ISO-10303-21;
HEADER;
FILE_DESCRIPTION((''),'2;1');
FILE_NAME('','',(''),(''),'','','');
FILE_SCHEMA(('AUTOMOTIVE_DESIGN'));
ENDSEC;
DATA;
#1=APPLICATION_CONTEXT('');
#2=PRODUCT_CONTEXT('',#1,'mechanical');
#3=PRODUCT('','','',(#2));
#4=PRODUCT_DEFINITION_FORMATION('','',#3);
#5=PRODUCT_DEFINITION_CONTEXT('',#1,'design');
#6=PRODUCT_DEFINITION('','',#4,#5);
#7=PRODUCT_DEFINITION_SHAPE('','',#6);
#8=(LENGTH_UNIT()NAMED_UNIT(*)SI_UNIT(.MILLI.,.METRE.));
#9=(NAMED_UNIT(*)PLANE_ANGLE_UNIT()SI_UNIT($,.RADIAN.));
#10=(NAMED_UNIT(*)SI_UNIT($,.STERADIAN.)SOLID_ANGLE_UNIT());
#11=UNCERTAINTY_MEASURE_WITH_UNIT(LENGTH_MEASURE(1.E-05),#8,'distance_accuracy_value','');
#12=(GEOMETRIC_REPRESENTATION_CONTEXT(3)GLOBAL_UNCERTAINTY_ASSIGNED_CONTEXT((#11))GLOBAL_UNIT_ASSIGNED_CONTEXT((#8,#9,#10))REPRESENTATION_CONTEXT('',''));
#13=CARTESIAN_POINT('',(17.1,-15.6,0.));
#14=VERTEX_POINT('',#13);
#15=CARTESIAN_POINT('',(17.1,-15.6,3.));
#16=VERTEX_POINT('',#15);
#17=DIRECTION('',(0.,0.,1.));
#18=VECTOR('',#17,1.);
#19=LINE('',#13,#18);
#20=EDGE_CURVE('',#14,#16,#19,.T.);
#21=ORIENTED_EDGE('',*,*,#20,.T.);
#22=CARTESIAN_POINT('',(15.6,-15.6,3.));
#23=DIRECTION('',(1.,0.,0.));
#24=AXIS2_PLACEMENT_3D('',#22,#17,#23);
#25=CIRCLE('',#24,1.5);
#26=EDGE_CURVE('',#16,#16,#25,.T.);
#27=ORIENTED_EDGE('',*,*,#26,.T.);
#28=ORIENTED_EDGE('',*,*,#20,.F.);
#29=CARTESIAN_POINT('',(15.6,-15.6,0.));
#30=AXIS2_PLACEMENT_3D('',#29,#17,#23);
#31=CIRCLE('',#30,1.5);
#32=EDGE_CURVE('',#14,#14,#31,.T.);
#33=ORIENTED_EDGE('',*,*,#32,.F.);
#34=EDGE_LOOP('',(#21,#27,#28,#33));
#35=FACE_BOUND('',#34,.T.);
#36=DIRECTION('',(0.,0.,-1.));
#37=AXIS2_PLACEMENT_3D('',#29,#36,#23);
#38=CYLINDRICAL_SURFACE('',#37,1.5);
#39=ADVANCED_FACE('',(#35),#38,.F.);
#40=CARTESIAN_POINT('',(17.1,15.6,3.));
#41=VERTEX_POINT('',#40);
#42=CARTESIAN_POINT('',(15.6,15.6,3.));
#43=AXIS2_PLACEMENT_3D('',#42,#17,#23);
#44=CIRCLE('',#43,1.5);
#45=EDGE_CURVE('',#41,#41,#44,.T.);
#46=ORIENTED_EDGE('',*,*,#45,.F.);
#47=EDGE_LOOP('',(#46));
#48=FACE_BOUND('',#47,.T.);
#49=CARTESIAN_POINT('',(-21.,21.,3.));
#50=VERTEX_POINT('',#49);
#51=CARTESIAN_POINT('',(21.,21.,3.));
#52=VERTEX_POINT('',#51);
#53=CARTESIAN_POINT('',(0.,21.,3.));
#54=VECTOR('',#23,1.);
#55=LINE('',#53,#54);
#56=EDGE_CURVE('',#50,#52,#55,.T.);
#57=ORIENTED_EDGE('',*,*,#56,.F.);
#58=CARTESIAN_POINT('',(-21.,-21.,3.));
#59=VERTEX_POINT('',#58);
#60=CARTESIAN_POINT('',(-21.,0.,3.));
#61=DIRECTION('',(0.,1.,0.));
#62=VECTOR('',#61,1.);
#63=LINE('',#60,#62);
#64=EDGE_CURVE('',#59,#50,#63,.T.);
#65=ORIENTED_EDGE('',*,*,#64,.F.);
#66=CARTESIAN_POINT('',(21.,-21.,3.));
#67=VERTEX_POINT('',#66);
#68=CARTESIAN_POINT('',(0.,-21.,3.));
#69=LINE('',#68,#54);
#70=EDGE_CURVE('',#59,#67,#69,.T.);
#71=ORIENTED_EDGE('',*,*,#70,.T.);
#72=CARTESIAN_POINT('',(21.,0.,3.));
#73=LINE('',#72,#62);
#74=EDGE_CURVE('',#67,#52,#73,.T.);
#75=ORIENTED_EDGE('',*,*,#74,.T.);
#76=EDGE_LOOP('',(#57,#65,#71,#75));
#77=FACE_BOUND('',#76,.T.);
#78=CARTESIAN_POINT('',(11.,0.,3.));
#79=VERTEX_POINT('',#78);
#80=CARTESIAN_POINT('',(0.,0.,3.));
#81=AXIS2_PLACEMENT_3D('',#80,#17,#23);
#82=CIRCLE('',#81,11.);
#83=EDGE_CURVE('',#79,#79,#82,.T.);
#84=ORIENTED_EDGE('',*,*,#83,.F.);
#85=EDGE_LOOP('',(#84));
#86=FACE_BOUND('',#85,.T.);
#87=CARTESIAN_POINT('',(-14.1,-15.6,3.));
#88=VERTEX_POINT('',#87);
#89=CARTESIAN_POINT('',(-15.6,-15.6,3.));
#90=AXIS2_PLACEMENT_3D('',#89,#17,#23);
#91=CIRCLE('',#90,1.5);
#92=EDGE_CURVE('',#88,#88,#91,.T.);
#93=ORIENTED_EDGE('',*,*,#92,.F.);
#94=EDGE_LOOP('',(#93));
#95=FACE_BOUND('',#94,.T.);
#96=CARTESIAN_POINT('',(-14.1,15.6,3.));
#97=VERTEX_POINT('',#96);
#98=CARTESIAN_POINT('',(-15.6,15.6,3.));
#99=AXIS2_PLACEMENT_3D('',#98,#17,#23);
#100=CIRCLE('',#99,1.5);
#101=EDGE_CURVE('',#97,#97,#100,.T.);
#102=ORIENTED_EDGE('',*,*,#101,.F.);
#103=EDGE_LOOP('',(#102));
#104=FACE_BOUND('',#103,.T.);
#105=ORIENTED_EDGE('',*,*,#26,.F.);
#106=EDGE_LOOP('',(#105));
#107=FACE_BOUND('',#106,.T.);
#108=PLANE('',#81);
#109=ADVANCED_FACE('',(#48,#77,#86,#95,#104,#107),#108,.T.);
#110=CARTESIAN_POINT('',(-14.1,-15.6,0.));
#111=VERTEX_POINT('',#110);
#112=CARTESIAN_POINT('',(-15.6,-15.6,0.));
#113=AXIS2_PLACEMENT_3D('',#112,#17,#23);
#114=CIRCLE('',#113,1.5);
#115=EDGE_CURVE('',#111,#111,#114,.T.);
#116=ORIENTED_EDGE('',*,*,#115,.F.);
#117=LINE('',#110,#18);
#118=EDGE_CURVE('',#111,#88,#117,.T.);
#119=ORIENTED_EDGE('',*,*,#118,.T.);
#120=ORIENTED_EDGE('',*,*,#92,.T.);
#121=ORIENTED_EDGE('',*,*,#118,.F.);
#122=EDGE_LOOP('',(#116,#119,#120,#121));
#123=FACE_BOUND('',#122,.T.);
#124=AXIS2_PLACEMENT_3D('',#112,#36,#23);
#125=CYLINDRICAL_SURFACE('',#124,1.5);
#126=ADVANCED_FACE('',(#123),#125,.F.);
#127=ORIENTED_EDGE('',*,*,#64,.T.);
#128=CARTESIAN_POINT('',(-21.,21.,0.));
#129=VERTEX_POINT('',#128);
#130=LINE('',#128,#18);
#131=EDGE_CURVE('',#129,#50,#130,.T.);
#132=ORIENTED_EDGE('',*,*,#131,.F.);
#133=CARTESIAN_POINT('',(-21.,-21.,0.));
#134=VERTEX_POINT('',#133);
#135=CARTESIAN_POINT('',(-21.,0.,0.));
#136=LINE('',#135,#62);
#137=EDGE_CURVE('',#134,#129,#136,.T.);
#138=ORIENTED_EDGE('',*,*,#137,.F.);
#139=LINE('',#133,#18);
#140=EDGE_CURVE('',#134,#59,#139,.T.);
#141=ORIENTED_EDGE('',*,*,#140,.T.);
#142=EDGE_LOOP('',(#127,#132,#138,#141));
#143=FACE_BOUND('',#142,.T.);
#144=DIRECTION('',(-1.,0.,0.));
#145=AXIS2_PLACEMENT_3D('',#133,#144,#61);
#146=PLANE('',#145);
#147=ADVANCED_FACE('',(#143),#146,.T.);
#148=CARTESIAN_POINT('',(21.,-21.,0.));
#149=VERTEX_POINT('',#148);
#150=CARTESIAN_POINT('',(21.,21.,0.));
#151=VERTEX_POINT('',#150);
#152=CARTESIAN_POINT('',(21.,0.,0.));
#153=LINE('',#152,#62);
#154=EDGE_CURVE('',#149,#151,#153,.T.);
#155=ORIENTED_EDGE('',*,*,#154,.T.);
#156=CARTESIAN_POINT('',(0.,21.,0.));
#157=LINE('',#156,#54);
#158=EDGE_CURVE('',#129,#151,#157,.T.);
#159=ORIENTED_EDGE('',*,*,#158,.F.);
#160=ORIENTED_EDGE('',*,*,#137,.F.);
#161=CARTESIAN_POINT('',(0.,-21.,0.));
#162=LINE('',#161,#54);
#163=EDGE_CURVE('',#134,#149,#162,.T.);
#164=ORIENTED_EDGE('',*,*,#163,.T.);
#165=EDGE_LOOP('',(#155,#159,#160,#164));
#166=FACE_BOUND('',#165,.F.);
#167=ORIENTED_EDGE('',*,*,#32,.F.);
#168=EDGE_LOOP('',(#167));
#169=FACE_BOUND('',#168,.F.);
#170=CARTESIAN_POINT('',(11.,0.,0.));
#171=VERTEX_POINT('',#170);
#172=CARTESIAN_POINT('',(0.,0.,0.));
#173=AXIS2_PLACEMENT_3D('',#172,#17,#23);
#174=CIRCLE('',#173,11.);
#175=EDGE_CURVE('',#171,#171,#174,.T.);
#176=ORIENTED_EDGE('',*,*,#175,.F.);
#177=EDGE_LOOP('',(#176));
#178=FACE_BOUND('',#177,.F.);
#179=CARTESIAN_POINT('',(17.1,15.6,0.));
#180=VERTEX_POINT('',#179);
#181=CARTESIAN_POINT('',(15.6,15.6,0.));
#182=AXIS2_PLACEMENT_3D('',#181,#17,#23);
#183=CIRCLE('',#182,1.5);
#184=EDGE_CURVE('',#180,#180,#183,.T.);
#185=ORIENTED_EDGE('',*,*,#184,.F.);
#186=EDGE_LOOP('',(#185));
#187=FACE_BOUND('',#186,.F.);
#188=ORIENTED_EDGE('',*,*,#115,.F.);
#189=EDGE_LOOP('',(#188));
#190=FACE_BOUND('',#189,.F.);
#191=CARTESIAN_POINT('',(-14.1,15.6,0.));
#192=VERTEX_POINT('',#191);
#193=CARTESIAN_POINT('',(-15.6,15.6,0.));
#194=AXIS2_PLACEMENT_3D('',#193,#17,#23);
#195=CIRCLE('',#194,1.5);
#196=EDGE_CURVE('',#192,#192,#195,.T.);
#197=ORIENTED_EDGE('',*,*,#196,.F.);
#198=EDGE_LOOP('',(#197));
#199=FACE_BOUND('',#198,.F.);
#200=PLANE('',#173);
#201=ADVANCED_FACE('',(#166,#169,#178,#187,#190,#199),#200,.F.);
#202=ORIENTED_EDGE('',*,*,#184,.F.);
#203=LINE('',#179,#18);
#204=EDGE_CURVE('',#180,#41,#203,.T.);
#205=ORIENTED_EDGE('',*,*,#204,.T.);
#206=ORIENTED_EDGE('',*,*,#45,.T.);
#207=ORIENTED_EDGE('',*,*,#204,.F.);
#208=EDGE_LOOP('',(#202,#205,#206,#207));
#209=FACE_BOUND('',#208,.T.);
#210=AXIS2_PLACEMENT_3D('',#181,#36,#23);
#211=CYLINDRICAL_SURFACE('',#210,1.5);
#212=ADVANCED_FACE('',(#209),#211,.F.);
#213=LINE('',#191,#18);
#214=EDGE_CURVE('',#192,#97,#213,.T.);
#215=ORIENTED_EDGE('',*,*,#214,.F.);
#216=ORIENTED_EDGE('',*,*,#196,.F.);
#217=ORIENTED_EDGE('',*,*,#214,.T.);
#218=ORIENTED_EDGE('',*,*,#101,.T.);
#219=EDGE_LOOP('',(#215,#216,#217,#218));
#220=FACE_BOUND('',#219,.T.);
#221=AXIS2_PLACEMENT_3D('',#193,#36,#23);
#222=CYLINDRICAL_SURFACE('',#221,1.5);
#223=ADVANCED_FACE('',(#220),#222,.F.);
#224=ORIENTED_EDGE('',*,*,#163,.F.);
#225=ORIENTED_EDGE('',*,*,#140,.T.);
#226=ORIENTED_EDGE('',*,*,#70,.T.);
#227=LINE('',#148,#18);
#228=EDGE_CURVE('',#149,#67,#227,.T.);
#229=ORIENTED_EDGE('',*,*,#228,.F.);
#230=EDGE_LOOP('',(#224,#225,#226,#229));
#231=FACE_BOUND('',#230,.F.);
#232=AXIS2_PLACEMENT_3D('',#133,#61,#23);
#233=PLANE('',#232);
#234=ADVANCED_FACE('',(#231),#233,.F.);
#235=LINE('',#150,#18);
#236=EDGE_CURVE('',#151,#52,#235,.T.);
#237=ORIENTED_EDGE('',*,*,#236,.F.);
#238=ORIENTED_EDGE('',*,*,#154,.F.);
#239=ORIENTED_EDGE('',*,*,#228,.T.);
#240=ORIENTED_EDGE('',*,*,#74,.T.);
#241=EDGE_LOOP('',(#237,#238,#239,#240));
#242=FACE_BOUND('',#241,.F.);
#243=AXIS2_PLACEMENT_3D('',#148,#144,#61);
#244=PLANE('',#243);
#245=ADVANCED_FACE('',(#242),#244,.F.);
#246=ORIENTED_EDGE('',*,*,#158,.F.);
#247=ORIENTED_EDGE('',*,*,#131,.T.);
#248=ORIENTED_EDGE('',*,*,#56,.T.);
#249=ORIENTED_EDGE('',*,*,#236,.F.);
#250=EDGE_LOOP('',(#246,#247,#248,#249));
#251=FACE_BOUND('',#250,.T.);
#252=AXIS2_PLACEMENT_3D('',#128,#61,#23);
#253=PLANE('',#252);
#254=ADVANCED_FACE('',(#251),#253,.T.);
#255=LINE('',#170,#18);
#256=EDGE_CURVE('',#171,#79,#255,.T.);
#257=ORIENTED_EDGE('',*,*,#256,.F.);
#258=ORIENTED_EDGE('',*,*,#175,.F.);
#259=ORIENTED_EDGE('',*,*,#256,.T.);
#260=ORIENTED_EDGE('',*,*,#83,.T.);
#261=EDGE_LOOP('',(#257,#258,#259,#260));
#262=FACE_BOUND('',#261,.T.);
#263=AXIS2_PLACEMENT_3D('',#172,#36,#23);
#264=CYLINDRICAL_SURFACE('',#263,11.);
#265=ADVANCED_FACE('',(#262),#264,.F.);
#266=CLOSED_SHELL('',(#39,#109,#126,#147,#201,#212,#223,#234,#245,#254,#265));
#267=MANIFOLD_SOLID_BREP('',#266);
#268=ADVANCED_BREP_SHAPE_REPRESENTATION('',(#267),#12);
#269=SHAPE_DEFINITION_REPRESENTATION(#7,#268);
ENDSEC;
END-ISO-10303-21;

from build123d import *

# Parameters (mm, degrees)
SKETCH_W   = 42
SKETCH_H   = 42
SKETCH_R   = 11
SKETCH_R_2 = 1.5
PAD_DEPTH  = 3


with BuildPart() as part:
    # Sketch → Pad (new body)
    with BuildSketch(Plane.XY):
        Rectangle(SKETCH_W, SKETCH_H)
        Circle(SKETCH_R, mode=Mode.SUBTRACT)
        with Locations((15.6, 15.6)):
            Circle(SKETCH_R_2, mode=Mode.SUBTRACT)
        with Locations((15.6, -15.6)):
            Circle(SKETCH_R_2, mode=Mode.SUBTRACT)
        with Locations((-15.6, -15.6)):
            Circle(SKETCH_R_2, mode=Mode.SUBTRACT)
        with Locations((-15.6, 15.6)):
            Circle(SKETCH_R_2, mode=Mode.SUBTRACT)
    extrude(amount=PAD_DEPTH)


solid = part.part
